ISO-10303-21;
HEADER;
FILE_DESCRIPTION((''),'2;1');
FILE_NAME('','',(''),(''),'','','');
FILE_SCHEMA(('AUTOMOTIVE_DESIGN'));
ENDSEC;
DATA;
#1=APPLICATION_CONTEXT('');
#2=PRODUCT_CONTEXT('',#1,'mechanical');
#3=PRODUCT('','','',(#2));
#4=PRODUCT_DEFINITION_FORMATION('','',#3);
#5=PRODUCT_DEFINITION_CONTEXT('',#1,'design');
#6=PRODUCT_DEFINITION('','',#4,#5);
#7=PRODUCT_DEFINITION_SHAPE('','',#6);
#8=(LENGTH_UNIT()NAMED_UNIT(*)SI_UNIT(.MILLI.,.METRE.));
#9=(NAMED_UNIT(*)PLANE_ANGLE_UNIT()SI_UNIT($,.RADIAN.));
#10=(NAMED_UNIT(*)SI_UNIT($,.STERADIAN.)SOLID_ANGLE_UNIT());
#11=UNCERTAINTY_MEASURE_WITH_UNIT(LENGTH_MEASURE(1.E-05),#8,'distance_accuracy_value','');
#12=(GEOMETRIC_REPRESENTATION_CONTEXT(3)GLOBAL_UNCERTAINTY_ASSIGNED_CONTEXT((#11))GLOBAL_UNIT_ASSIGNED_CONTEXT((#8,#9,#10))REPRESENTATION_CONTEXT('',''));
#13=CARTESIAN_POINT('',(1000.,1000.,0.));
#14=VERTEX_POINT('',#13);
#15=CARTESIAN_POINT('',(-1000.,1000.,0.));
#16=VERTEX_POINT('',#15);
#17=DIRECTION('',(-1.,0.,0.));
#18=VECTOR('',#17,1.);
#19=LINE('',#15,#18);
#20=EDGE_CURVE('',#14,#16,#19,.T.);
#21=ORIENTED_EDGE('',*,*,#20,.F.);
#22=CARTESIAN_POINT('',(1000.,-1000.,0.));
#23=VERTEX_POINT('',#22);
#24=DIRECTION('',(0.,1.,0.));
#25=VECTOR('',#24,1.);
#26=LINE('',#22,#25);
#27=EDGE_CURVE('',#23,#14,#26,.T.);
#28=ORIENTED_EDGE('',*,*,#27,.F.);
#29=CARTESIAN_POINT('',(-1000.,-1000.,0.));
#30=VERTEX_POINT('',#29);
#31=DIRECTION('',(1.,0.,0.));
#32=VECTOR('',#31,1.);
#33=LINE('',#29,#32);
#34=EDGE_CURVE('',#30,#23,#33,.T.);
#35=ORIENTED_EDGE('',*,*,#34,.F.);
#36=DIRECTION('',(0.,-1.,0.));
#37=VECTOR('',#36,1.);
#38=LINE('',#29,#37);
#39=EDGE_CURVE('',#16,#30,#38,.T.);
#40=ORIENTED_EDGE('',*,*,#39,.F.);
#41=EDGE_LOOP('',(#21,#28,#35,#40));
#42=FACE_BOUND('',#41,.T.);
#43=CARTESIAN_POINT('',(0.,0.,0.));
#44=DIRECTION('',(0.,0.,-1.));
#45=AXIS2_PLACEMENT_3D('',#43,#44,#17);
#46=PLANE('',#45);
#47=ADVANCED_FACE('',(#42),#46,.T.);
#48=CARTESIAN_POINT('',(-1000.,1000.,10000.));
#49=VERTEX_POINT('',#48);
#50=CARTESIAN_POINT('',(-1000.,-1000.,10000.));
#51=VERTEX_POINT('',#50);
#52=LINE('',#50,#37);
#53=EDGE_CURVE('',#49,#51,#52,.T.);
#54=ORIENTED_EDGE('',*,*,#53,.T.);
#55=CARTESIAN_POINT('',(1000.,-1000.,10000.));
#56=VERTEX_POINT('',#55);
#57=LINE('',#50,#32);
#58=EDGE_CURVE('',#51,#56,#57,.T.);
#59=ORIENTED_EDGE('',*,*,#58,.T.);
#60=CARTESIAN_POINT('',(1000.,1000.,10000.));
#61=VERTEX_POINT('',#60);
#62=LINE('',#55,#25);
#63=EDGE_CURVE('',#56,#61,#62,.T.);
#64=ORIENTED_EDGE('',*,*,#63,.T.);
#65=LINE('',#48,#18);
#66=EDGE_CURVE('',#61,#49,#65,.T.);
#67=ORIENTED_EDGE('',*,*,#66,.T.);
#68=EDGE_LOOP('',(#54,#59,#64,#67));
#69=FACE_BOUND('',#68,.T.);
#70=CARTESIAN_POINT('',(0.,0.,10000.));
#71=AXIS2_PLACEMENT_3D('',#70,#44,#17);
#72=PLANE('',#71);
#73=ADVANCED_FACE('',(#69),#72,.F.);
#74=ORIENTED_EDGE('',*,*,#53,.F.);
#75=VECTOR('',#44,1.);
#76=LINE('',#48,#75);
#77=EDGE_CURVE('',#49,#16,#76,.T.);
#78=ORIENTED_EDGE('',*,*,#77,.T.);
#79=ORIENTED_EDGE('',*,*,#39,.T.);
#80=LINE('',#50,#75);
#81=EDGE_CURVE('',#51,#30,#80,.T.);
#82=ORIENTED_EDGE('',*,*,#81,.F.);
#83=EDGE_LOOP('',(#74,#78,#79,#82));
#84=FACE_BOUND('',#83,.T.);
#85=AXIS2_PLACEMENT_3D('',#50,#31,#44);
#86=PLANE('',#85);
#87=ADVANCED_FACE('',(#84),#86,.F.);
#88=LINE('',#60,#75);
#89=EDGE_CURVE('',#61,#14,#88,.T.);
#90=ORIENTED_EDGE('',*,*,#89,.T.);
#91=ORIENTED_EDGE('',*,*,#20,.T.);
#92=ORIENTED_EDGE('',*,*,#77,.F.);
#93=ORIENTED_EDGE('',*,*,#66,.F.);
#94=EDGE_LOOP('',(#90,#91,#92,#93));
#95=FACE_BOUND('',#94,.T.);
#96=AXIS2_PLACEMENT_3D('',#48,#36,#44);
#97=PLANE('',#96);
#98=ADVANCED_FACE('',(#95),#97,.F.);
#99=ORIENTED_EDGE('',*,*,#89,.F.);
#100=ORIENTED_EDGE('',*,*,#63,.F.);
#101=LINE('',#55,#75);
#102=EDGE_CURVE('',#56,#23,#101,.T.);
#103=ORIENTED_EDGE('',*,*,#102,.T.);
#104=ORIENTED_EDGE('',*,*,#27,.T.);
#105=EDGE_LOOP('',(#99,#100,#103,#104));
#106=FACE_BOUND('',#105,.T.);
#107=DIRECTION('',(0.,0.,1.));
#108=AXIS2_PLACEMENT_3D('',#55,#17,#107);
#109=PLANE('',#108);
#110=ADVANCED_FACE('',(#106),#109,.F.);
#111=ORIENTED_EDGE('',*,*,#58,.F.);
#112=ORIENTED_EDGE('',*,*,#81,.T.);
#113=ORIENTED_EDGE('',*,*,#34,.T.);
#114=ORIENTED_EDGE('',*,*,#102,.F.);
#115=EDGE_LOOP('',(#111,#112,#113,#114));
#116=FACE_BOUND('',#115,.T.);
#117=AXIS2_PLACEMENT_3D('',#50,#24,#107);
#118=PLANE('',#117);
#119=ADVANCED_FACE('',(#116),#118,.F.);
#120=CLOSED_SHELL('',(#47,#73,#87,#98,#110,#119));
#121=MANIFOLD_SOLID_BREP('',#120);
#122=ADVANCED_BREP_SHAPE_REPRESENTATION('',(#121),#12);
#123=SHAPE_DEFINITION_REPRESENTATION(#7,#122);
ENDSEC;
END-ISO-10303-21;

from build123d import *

# Parameters (mm, degrees)
SKETCH_1_W      = 2000
SKETCH_1_H      = 2000
EXTRUDE_1_DEPTH = 10000


with BuildPart() as part:
    # ｽｹｯﾁ1 → ﾎﾞｽ - 押し出し1 (new body)
    with BuildSketch(Plane.XY):
        Rectangle(SKETCH_1_W, SKETCH_1_H)
    extrude(amount=EXTRUDE_1_DEPTH)


solid = part.part
